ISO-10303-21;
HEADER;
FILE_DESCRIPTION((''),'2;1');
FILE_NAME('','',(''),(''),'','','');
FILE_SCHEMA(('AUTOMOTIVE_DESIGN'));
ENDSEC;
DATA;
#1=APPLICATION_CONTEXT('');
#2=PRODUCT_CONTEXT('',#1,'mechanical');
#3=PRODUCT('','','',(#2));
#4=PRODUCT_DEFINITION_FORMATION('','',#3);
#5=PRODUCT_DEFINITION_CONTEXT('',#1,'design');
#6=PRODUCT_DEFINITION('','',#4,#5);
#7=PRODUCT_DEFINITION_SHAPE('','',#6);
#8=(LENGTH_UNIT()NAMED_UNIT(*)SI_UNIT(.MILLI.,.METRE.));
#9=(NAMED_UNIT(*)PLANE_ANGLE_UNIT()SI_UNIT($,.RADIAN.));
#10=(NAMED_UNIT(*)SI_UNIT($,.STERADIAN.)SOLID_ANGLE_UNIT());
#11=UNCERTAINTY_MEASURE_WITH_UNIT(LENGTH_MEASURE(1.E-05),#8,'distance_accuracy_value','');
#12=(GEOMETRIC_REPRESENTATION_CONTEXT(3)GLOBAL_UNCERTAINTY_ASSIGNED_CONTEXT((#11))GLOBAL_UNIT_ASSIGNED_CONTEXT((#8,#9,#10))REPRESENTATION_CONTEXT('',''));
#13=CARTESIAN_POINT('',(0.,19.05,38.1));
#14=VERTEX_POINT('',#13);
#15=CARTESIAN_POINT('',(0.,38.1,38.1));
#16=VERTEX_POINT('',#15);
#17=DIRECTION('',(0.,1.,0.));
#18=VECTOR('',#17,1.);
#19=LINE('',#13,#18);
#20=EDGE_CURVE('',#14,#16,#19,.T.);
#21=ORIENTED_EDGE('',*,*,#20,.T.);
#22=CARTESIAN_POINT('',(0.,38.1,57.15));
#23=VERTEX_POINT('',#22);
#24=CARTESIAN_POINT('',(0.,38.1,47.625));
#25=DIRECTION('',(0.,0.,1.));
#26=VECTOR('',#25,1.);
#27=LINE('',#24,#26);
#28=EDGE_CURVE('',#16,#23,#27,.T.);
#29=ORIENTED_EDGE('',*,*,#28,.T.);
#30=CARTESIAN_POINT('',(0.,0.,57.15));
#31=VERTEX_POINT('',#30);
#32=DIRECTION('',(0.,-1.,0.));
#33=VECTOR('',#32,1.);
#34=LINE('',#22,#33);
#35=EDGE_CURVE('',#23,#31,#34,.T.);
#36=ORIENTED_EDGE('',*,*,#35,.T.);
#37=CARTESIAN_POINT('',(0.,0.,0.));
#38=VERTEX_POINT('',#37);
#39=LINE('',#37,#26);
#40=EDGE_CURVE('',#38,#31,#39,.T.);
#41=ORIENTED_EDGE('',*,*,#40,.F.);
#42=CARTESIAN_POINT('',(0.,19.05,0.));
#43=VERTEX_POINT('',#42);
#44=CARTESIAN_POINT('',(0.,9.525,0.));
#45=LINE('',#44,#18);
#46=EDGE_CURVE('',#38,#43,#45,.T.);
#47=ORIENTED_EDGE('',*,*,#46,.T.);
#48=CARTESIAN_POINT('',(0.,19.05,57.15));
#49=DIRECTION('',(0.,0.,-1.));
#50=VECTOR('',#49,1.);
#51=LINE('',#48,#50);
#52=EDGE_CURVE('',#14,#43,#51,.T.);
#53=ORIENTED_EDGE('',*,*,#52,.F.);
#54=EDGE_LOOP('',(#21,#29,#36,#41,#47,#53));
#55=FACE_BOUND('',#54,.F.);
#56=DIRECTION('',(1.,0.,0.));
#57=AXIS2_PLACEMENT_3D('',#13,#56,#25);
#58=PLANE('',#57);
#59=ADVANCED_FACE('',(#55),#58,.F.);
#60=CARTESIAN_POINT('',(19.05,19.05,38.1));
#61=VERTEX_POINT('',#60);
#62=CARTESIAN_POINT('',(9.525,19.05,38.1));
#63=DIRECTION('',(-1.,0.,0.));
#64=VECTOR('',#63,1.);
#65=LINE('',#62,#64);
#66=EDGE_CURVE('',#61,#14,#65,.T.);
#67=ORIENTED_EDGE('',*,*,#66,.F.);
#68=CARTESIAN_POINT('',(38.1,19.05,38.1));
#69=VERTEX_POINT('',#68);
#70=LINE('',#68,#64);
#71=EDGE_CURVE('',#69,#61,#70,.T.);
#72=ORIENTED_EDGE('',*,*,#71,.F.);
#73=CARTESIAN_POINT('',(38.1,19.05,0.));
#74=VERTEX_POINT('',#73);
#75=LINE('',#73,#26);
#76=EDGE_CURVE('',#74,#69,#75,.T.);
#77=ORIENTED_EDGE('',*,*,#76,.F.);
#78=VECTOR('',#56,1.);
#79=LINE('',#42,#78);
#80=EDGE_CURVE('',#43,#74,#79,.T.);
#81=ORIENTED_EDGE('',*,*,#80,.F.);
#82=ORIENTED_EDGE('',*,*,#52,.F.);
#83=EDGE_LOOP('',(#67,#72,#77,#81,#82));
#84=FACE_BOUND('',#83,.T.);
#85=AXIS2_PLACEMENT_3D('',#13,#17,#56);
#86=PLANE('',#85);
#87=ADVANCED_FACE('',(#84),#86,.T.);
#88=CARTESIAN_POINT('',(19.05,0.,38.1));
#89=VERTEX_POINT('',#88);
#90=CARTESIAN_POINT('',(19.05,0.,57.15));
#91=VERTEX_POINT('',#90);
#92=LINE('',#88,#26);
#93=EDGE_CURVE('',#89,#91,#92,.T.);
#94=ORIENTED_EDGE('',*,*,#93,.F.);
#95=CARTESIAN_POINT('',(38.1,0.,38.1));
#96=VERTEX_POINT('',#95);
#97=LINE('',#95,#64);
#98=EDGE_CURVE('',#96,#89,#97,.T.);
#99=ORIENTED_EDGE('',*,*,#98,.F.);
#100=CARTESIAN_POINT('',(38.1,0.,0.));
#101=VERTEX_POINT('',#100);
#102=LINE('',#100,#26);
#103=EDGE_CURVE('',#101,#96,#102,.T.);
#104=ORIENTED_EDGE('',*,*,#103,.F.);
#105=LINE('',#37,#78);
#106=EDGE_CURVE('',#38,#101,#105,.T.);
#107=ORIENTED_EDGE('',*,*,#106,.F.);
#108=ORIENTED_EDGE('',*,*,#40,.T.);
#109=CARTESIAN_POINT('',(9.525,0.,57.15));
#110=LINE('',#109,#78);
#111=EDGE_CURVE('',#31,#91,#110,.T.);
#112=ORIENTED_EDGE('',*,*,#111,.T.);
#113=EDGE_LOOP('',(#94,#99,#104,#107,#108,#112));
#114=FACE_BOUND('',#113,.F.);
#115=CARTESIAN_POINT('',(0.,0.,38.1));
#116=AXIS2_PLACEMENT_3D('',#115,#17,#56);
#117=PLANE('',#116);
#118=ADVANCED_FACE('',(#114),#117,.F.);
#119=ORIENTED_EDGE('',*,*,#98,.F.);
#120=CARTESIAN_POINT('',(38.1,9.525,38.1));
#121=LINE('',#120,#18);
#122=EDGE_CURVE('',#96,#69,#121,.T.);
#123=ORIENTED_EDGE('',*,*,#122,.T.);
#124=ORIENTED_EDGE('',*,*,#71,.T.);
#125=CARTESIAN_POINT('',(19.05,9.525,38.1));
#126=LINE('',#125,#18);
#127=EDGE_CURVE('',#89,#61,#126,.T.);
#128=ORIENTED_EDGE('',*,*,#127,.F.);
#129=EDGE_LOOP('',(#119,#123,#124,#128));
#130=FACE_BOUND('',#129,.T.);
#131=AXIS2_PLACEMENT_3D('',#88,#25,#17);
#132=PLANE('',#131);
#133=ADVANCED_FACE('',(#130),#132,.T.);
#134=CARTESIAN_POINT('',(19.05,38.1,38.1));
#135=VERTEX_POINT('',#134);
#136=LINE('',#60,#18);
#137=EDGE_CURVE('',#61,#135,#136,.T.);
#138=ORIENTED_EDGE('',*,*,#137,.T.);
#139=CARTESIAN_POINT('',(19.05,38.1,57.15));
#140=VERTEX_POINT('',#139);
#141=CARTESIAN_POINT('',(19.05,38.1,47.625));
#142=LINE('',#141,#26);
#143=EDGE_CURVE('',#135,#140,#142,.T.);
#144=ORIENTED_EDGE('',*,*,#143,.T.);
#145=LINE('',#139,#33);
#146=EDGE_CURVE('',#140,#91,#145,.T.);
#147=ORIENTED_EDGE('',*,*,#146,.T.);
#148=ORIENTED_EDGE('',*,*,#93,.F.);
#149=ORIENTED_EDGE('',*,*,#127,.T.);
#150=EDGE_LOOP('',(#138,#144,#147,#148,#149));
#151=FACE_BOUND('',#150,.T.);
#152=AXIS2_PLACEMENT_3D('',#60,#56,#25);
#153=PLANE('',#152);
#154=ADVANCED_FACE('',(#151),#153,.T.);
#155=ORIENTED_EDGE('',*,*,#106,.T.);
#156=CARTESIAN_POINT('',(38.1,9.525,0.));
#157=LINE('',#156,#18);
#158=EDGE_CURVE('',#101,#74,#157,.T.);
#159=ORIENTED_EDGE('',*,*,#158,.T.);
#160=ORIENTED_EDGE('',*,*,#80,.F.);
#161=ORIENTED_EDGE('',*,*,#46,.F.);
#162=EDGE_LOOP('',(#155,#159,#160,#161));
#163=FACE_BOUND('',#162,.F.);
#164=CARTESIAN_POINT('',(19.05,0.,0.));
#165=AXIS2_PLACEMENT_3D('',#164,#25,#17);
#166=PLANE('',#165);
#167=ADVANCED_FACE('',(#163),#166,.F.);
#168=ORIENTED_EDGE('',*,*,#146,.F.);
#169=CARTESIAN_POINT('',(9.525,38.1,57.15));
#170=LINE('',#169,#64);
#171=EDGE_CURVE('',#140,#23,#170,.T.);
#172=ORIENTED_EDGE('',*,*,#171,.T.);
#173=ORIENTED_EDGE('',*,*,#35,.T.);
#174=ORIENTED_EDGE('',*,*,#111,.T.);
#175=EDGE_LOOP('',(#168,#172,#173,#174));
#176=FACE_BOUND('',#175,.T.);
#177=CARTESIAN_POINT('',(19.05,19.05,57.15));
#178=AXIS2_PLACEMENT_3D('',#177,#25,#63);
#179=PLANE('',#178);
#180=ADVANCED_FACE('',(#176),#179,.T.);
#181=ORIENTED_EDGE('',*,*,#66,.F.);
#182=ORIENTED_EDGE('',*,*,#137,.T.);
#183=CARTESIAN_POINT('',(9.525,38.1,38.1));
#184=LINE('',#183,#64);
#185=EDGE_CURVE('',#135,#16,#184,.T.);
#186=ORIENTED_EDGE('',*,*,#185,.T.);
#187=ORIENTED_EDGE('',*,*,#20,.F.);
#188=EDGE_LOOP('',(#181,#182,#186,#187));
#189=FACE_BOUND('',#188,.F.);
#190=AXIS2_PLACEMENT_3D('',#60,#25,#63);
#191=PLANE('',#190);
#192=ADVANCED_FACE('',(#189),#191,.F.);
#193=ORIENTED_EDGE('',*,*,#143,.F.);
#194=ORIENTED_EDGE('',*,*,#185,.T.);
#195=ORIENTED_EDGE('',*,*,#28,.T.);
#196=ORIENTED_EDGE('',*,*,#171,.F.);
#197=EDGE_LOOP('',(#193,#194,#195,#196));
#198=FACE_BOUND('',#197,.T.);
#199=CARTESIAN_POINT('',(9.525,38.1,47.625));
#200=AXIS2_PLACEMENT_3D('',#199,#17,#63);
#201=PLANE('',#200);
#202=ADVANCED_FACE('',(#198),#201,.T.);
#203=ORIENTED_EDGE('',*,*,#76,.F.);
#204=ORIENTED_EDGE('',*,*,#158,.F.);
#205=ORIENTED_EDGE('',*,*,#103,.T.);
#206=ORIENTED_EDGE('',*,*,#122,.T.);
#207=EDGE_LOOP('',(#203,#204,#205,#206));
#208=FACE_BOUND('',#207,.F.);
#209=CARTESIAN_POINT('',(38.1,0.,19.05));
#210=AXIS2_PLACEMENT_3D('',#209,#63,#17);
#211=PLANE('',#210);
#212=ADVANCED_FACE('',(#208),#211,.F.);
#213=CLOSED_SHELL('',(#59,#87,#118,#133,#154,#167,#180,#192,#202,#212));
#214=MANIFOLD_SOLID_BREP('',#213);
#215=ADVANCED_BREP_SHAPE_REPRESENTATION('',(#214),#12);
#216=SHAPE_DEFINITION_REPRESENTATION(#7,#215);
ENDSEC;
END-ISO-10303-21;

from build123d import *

# Parameters (mm, degrees)
F0_W     = 19.05
F0_H     = 19.05
F1_DEPTH = 19.05
F2_DEPTH = 19.05
F3_DEPTH = 19.05
F4_W     = 19.05
F4_H     = 19.05
F5_DEPTH = 19.05
F6_W     = 19.05
F6_H     = 19.05
F7_DEPTH = 19.05


with BuildPart() as f1:
    # F0 (on Top) → F1 (new body)
    with BuildSketch(Plane.XY):
        with Locations((9.525, 9.525)):
            Rectangle(F0_W, F0_H)
    extrude(amount=F1_DEPTH)

    # F2 (add): a face of the model
    f2_faces = [f1.faces().sort_by_distance(p)[0] for p in [
        (19.05, 9.525, 9.525),
    ]]
    extrude(f2_faces, amount=F2_DEPTH)

    # F3 (add): a face of the model
    f3_faces = [f1.faces().sort_by_distance(p)[0] for p in [
        (19.05, 9.525, 19.05),
    ]]
    extrude(f3_faces, amount=F3_DEPTH)

    # F4 (on face) → F5 (join)
    with BuildSketch(Plane.XY.offset(38.1)):
        with Locations((9.525, 9.525)):
            Rectangle(F4_W, F4_H)
    extrude(amount=F5_DEPTH)

    # F6 (on face) → F7 (join)
    with BuildSketch(Plane(origin=(0, 19.05, 0), x_dir=(-1, 0, 0), z_dir=(0, 1, 0))):
        with Locations((-9.525, 47.625)):
            Rectangle(F6_W, F6_H)
    extrude(amount=F7_DEPTH)


solid = f1.part
